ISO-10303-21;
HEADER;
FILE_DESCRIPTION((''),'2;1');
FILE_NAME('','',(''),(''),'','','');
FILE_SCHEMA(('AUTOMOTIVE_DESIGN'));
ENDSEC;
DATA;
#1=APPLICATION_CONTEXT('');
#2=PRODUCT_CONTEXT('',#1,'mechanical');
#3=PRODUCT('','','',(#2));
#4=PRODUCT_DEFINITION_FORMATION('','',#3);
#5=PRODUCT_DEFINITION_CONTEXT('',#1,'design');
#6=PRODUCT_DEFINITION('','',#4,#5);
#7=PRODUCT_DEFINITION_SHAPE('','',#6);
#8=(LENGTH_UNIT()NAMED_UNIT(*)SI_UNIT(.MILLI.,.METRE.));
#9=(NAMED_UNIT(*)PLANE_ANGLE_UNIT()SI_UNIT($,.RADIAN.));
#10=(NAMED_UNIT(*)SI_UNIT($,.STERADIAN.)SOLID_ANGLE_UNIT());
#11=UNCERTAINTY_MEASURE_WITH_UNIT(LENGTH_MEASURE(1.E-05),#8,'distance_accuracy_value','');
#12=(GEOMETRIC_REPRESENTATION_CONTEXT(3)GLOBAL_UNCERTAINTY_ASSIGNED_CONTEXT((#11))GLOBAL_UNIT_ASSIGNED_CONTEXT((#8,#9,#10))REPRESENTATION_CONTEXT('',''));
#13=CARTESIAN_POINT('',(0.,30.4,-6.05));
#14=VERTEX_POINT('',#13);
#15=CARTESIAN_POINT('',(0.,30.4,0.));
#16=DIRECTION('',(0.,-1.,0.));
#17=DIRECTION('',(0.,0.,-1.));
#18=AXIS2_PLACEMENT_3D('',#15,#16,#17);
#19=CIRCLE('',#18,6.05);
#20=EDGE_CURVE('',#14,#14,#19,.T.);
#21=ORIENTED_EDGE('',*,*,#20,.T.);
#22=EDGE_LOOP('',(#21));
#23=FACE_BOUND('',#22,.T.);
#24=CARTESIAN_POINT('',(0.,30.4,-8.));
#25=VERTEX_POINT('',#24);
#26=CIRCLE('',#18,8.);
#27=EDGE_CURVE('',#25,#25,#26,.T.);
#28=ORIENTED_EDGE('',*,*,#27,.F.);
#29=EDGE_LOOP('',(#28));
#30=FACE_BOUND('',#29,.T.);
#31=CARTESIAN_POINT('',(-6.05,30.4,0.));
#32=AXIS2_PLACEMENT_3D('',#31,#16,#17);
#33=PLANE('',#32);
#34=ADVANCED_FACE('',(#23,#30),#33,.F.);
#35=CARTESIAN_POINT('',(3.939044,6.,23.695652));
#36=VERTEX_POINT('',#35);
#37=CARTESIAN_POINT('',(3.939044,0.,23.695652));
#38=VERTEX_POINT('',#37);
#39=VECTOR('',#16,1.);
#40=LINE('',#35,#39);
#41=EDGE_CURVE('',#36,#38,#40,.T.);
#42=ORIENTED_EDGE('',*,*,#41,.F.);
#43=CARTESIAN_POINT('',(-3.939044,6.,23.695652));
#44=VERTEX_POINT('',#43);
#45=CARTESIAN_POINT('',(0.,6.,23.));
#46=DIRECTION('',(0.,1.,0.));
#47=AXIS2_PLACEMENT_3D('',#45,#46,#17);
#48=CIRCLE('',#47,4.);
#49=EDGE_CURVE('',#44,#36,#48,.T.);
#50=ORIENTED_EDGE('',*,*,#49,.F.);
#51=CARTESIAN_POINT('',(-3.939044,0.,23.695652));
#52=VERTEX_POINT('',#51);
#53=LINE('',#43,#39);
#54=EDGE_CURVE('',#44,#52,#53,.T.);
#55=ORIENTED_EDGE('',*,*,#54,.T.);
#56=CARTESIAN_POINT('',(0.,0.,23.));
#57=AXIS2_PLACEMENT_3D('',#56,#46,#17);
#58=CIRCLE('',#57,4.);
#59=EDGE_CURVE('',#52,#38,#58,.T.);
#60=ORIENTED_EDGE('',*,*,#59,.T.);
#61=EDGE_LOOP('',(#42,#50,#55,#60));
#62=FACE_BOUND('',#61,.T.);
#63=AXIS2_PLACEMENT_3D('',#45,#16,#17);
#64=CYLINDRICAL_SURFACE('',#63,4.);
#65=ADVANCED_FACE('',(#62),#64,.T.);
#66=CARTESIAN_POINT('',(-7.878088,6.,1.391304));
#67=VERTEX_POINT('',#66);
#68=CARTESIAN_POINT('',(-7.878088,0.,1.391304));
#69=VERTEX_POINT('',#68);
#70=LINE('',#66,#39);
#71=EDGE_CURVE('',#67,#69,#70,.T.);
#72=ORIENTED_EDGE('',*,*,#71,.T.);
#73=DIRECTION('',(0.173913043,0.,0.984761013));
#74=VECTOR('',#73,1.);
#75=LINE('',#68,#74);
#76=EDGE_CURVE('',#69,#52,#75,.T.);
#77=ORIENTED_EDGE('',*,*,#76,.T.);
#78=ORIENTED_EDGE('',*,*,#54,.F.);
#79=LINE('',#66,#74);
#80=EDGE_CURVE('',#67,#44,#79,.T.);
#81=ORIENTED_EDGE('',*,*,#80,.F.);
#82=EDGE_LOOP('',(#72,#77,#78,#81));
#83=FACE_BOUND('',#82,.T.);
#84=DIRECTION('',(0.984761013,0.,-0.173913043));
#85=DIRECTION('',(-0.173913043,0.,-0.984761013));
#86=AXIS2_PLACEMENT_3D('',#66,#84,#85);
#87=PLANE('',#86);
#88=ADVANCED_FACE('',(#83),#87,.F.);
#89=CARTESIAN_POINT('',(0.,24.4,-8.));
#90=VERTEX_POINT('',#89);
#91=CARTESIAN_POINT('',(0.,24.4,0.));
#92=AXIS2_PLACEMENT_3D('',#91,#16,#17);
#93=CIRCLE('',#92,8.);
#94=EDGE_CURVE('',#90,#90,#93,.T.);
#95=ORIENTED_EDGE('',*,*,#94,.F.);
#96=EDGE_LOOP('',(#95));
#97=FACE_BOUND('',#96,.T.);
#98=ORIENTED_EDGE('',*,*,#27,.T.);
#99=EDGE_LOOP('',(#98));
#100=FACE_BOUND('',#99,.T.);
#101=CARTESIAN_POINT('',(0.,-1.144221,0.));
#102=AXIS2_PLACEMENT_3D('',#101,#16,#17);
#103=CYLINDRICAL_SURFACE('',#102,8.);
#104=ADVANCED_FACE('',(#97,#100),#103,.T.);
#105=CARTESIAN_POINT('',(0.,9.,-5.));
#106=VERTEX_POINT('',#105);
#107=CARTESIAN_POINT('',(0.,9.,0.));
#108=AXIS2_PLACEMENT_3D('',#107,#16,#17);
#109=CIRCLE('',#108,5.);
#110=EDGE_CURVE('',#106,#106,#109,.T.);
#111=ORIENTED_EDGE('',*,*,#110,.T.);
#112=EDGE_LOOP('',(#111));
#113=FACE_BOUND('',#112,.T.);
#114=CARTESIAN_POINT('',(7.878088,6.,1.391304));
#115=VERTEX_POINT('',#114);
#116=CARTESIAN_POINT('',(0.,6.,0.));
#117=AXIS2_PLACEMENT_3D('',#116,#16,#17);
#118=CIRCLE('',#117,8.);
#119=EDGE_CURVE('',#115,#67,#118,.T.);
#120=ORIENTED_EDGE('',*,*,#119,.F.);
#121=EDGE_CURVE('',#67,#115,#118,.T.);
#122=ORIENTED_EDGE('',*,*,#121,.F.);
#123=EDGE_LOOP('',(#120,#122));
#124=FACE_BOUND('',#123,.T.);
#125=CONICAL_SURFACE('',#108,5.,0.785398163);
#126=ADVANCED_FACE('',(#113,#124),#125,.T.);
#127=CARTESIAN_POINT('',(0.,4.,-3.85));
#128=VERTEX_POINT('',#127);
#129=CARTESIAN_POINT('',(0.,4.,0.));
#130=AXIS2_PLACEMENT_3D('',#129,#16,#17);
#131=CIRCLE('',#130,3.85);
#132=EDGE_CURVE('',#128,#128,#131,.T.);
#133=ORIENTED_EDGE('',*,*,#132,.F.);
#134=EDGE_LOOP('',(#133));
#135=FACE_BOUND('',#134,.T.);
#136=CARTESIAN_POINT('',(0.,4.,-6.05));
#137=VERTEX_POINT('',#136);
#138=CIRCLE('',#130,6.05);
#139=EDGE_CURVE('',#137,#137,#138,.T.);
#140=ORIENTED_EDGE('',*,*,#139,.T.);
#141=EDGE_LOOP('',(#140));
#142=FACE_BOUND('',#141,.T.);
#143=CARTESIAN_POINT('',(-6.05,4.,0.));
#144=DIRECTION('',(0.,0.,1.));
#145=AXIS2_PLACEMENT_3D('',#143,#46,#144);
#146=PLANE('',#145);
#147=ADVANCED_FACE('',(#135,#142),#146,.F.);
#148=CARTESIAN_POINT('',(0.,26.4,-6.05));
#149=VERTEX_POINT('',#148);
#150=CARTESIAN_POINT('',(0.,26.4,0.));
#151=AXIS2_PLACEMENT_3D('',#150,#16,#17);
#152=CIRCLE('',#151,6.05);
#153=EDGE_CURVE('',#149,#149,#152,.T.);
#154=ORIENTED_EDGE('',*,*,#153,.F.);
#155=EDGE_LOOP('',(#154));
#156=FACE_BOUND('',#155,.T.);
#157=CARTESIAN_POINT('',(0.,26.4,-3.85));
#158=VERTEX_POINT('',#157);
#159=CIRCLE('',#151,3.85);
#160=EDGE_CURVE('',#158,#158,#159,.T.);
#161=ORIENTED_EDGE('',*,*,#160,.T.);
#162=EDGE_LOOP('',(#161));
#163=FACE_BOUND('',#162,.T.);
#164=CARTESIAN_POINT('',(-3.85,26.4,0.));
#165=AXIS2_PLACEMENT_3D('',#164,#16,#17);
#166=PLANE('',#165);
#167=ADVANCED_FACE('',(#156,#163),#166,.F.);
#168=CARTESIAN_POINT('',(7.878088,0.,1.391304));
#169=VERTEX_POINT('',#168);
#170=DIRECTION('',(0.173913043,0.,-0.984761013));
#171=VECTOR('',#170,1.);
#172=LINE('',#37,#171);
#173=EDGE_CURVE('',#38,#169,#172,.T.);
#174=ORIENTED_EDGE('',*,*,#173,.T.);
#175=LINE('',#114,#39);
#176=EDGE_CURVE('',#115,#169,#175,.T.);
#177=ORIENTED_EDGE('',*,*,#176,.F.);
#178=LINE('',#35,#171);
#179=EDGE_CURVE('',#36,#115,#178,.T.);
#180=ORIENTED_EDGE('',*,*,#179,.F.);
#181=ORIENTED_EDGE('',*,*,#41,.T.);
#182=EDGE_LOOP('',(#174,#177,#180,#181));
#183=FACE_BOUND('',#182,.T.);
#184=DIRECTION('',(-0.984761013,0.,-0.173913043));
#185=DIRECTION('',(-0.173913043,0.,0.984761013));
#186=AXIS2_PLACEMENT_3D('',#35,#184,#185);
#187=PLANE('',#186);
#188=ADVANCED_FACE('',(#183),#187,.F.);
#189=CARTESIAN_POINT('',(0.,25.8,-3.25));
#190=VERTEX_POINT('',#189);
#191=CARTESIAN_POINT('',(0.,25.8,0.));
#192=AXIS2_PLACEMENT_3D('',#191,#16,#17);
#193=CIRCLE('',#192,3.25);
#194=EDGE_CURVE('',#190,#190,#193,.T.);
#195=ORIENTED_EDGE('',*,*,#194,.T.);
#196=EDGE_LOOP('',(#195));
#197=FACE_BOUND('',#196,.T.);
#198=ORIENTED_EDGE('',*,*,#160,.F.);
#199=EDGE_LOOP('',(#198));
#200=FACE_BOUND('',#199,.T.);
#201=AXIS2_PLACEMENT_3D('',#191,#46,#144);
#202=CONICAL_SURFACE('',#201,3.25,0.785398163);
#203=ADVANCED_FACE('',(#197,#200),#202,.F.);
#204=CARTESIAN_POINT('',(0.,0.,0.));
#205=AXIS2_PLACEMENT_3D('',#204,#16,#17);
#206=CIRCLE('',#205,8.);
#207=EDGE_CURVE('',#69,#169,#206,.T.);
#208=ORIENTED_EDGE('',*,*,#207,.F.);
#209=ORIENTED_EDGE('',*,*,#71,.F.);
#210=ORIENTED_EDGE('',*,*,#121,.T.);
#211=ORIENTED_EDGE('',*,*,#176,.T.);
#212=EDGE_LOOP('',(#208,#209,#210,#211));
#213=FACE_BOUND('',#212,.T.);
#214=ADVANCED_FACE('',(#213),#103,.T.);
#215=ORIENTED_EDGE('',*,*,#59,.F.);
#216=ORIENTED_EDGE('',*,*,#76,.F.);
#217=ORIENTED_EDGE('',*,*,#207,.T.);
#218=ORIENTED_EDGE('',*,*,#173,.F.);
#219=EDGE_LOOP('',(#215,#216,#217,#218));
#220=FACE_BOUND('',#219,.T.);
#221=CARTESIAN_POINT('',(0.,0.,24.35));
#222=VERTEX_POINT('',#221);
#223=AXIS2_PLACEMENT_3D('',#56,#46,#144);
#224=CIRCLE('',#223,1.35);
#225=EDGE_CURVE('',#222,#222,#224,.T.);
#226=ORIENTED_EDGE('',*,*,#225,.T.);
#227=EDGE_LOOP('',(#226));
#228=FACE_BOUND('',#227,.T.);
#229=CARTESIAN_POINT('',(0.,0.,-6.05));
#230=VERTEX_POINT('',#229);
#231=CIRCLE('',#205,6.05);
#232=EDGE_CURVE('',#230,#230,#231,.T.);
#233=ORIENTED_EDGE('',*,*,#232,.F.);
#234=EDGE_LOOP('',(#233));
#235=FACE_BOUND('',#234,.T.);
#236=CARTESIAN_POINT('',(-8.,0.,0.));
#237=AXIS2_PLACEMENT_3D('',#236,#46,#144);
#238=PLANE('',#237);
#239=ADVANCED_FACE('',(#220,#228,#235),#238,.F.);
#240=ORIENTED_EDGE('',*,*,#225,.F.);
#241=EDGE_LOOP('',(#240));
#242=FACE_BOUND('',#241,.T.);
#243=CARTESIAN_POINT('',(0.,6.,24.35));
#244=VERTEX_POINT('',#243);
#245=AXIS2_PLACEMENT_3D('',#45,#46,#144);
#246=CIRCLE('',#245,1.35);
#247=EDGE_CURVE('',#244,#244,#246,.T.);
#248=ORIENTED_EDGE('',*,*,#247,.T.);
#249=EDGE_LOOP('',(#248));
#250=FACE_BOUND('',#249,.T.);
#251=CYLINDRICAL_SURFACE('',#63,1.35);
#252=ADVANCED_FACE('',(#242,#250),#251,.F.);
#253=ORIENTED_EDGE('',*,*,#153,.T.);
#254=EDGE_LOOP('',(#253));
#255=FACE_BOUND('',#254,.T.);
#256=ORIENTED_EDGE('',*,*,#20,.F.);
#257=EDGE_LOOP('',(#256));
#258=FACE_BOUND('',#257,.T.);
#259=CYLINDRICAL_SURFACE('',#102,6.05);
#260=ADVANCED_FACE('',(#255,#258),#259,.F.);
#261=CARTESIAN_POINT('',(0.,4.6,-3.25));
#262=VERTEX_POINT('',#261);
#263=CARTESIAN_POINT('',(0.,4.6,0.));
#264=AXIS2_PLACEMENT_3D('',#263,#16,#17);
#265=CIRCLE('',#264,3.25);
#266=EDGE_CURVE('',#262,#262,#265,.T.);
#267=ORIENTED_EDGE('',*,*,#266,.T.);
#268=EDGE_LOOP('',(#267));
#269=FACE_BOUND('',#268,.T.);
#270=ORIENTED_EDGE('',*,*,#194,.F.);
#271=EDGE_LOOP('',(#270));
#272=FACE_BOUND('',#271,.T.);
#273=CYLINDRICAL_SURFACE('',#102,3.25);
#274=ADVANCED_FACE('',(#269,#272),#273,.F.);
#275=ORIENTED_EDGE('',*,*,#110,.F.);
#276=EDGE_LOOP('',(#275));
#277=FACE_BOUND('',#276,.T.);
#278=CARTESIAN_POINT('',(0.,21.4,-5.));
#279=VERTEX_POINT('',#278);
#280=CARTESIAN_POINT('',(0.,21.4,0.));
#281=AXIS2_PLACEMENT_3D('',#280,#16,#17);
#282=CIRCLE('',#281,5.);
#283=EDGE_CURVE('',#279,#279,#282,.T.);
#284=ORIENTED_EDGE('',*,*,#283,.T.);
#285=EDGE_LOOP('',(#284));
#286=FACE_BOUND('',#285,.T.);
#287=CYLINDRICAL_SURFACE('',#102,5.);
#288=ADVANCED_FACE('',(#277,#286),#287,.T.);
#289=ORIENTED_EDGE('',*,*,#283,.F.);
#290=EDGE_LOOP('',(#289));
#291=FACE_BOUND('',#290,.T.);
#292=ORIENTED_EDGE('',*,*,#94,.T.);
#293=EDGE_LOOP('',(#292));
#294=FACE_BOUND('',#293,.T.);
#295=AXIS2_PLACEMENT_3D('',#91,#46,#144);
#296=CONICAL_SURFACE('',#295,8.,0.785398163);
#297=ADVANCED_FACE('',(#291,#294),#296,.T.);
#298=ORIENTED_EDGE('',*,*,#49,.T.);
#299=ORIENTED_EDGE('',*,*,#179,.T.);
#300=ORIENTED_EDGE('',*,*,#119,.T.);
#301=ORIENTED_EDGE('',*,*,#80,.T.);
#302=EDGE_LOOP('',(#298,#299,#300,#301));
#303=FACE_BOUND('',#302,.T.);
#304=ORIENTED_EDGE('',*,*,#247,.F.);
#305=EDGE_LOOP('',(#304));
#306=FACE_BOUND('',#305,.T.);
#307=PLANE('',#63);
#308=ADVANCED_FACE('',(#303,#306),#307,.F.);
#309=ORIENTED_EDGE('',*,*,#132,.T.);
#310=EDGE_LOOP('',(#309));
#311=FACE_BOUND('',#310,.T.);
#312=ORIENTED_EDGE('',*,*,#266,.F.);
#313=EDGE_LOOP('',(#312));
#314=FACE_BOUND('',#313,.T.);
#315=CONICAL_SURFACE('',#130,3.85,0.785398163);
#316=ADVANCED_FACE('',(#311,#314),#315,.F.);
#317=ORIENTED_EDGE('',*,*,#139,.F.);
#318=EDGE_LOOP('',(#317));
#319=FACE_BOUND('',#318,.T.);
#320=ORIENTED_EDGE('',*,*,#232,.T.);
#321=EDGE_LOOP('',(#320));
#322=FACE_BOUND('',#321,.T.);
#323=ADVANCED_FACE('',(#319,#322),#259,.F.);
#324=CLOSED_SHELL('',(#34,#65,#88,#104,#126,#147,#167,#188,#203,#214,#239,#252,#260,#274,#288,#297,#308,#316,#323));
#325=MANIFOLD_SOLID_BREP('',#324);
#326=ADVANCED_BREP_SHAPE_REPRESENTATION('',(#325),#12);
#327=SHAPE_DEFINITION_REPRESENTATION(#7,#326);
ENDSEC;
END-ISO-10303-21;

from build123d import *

# Parameters (mm, degrees)
ESQUISSE2_R        = 1.35
BOSS_EXTRU_2_DEPTH = 6


with BuildPart() as part:
    # Esquisse1 → Révolution1 (revolve)
    with BuildSketch(Plane.XY, mode=Mode.PRIVATE) as r_volution1_sk:
        Polygon((-6.05, 0), (-6.05, 4), (-3.85, 4), (-3.25, 4.6), (-3.25, 25.8), (-3.85, 26.4), (-6.05, 26.4), (-6.05, 30.4), (-8, 30.4), (-8, 24.4), (-5, 21.4), (-5, 9), (-8, 6), (-8, 0), align=None)
    revolve(r_volution1_sk.sketch.rotate(Axis((0, -1.144220684, 0), (0, 1, 0)), 270), axis=Axis((0, -1.144220684, 0), (0, 1, 0)))

    # Esquisse2 → Boss.-Extru.2 (add)
    with BuildSketch(Plane(origin=(0, 0, 0), x_dir=(1, 0, 0), z_dir=(0, 1, 0))):
        with BuildLine():
            Line((-7.878088106, -1.391304348), (-3.939044053, -23.695652174))
            ThreePointArc((-3.939044053, -23.695652174), (0, -27), (3.939044053, -23.695652174))
            Line((3.939044053, -23.695652174), (7.878088106, -1.391304348))
            ThreePointArc((7.878088106, -1.391304348), (0, -8), (-7.878088106, -1.391304348))
        make_face()
        with Locations(Location((0, -23, 0), (0, 0, 270))):
            Circle(ESQUISSE2_R, mode=Mode.SUBTRACT)
    extrude(amount=BOSS_EXTRU_2_DEPTH)


solid = part.part
